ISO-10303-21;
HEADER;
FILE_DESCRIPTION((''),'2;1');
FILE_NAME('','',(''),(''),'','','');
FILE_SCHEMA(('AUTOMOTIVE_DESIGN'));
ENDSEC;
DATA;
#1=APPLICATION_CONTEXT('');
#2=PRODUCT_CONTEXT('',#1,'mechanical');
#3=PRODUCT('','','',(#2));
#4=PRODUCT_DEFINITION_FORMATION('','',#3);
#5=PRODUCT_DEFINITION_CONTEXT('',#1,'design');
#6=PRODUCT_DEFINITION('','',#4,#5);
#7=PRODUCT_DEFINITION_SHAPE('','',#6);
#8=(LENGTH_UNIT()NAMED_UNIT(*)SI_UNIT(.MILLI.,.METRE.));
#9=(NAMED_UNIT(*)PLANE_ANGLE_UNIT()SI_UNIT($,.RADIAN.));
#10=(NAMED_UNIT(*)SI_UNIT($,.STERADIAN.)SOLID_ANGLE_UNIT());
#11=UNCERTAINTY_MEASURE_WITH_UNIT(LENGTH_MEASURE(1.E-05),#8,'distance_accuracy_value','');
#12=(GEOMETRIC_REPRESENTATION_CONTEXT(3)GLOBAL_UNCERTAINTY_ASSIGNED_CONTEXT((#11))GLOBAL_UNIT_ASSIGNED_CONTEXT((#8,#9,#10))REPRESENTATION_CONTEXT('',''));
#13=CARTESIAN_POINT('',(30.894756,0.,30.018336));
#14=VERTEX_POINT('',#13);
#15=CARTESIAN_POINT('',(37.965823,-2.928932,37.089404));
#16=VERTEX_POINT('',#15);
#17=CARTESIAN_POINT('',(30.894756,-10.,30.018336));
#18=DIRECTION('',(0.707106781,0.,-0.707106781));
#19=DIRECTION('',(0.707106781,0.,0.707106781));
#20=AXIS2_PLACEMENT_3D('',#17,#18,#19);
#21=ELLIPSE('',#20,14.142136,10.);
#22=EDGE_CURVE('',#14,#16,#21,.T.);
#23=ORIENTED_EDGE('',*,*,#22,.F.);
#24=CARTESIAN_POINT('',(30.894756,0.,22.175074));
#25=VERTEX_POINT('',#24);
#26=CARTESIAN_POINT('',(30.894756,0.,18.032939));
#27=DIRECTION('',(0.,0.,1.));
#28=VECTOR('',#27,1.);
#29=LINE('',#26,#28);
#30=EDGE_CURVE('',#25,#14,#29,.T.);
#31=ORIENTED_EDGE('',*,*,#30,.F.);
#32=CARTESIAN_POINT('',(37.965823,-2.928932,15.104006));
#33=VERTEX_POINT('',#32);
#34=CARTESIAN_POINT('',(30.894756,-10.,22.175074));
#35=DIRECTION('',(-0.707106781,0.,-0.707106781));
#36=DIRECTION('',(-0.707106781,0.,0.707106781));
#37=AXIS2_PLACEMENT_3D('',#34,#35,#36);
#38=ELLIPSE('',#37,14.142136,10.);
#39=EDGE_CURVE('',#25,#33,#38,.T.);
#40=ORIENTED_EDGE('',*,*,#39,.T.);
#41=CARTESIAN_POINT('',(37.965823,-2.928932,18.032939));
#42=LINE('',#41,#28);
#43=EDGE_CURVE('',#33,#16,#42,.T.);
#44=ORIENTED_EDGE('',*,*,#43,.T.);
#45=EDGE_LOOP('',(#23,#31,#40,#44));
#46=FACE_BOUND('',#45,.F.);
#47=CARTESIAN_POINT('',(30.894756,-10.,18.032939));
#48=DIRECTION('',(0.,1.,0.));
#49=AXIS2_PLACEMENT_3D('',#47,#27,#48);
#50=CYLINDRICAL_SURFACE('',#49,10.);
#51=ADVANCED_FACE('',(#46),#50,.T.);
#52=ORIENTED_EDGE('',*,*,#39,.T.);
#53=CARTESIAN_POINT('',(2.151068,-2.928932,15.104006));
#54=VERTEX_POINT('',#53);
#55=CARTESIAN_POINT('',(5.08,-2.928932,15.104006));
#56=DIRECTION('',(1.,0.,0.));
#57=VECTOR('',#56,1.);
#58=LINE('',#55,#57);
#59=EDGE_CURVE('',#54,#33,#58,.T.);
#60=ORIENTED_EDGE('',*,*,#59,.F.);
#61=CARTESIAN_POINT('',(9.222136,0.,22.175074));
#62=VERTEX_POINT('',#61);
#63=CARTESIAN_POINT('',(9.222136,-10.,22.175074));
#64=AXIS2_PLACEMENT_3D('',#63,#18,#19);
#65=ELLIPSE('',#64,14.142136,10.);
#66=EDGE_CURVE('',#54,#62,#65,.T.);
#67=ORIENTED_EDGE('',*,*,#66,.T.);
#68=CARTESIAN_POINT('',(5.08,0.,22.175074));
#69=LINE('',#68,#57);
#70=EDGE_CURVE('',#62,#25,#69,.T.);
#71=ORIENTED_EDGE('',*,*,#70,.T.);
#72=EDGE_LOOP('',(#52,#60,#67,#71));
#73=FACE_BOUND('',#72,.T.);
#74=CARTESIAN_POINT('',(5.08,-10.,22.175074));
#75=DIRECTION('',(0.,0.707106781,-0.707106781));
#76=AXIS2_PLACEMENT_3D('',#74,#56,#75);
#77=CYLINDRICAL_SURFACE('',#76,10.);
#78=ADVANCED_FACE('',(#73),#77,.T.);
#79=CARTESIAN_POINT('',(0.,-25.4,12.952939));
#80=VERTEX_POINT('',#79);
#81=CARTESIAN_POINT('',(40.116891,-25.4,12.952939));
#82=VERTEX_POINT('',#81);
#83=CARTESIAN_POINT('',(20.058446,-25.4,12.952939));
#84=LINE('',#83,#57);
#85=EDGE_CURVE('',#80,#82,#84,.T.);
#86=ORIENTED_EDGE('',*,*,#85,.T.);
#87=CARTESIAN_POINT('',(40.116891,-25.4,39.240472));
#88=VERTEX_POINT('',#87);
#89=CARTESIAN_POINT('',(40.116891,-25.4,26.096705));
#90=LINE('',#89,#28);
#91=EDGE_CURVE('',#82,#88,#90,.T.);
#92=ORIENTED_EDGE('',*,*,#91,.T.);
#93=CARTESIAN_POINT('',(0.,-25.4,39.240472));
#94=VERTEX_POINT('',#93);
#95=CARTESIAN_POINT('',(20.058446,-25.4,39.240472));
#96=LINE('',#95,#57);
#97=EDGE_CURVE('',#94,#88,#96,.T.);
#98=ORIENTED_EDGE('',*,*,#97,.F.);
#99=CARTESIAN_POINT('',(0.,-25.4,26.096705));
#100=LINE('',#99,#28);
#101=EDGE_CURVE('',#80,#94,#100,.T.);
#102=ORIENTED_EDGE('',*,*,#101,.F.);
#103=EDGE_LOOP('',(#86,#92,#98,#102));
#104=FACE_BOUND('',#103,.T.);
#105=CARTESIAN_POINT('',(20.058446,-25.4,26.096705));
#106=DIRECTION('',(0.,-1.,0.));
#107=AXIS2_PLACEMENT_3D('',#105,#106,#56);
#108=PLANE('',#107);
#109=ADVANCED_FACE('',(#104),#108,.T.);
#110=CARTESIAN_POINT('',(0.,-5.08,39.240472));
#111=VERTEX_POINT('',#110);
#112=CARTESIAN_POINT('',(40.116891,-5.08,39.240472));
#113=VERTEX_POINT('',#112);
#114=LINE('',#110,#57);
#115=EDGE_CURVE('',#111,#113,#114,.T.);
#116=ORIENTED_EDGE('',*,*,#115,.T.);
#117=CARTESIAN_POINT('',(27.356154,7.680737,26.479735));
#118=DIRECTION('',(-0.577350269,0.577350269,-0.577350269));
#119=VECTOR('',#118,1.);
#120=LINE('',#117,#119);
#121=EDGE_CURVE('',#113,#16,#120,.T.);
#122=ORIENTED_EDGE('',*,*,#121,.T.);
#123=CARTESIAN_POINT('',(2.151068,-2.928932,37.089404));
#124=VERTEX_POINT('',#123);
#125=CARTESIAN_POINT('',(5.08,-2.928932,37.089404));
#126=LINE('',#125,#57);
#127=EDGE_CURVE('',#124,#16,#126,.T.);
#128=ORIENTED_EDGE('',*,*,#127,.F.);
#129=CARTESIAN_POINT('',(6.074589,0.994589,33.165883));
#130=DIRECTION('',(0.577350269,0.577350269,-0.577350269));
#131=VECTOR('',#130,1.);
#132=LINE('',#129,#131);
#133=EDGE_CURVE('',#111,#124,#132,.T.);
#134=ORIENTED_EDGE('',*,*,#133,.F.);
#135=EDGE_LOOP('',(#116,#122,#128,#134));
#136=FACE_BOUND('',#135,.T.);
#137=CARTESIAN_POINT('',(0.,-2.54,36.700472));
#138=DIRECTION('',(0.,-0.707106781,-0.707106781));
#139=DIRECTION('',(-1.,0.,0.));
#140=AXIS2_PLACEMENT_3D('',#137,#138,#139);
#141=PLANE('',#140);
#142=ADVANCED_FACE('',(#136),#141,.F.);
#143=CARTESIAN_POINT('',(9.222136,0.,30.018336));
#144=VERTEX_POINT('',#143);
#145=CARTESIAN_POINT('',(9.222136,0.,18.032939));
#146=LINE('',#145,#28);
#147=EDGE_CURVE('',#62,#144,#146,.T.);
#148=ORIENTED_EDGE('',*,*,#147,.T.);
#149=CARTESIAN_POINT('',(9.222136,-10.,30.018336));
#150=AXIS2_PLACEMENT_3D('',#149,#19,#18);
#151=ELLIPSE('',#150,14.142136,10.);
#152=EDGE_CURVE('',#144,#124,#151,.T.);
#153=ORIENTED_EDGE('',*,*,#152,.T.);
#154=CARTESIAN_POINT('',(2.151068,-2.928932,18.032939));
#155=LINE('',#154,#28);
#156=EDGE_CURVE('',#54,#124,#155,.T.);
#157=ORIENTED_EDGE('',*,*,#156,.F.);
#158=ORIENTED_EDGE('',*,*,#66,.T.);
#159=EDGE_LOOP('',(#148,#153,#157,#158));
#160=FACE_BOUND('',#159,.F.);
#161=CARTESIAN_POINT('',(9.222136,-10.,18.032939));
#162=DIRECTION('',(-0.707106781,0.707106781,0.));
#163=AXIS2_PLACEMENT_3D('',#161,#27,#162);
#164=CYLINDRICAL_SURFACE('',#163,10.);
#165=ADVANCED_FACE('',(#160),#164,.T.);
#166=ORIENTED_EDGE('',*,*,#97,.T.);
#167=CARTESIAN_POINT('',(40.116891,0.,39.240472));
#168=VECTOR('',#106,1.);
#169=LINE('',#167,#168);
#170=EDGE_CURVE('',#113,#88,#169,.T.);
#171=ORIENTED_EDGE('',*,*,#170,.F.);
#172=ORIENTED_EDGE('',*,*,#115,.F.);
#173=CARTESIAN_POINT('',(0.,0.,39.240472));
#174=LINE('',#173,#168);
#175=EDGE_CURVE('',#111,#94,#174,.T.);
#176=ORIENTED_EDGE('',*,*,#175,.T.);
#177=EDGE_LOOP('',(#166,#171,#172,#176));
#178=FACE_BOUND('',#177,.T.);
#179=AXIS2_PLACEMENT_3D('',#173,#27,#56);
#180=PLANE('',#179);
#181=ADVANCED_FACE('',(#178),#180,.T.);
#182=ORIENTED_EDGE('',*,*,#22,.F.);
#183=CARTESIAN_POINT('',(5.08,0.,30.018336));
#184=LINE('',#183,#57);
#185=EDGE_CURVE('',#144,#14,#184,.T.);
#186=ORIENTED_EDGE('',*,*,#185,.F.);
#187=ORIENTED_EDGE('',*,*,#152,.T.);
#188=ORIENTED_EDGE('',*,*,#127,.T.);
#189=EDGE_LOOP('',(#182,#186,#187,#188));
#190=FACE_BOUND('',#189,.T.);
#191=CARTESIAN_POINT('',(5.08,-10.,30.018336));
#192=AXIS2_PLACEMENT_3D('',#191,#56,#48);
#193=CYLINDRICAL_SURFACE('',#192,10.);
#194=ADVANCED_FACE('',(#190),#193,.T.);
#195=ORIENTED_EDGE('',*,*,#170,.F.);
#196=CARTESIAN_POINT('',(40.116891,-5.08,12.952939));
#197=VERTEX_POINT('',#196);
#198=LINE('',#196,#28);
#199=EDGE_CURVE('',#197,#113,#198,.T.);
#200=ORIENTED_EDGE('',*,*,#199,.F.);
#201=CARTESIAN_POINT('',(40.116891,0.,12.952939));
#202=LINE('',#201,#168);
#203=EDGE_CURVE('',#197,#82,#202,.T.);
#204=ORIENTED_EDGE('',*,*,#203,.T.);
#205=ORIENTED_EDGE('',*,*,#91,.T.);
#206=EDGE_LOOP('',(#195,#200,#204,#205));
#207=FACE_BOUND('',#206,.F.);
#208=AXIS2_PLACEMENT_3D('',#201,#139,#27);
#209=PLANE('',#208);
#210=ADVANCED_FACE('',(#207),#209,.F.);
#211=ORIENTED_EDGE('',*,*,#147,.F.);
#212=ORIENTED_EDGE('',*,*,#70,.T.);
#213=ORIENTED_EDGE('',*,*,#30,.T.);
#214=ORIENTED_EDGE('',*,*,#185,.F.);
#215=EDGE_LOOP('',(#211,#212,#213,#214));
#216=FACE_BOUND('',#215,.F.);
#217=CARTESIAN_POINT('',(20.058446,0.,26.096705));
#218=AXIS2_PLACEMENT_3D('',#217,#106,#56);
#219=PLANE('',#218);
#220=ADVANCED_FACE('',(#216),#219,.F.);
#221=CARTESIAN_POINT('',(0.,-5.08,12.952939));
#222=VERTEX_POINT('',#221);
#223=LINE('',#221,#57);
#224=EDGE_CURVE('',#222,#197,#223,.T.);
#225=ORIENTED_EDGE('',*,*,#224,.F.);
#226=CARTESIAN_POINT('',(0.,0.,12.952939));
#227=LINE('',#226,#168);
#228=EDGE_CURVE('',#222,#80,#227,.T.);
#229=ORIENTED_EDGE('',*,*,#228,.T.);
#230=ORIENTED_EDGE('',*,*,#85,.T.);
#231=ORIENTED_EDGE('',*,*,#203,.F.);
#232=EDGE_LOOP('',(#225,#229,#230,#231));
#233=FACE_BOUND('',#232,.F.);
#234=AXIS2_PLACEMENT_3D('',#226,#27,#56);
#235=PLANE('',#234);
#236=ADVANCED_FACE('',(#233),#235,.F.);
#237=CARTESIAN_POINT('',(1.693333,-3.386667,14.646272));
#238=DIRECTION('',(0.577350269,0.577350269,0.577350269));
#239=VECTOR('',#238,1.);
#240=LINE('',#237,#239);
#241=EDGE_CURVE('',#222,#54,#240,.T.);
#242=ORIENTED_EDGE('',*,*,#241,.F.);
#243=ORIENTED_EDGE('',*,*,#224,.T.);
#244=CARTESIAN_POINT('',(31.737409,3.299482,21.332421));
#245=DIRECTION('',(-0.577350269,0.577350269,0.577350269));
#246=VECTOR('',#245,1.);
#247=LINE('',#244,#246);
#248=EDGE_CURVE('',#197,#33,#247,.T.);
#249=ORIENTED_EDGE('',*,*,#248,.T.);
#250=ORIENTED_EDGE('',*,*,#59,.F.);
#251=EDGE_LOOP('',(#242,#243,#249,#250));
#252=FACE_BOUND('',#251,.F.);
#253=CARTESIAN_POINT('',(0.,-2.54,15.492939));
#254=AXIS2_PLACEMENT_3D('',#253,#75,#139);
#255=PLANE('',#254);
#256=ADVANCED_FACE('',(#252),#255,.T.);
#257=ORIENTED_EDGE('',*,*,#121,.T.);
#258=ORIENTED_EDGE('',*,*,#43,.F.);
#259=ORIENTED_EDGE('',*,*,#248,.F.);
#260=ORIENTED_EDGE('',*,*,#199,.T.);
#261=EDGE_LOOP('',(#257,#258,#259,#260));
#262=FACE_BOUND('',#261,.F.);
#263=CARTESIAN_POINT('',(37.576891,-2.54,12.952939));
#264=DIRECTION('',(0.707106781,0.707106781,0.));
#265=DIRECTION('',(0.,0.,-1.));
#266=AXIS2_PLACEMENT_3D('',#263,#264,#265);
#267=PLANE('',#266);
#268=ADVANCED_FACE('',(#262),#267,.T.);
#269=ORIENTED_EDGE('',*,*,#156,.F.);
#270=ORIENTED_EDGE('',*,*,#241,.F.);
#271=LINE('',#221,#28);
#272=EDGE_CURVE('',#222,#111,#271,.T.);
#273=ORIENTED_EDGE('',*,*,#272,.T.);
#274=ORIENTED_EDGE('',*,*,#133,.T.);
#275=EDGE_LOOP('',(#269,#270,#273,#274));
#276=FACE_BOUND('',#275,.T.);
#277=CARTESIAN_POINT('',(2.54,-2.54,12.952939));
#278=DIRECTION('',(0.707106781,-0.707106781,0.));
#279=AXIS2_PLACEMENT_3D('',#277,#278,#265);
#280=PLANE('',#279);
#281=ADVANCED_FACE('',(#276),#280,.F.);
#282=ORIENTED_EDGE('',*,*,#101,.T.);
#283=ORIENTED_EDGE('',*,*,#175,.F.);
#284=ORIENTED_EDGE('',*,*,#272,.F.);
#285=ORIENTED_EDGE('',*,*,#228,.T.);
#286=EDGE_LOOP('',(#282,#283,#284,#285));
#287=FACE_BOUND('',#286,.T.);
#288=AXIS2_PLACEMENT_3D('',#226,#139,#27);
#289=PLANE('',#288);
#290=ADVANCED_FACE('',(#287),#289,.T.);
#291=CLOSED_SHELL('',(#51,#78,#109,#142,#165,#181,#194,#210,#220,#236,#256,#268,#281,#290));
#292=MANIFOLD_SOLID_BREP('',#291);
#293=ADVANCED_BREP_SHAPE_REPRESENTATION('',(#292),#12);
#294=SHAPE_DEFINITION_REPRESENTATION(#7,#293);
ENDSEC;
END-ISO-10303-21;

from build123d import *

# Parameters (mm, degrees)
F0_W     = 40.1168912649
F0_H     = 26.2875333428
F1_DEPTH = 25.4
F2_SIZE  = 5.08
F3_R     = 10


with BuildPart() as f1:
    # F0 (on Front) → F1 (new body)
    with BuildSketch(Plane.XZ):
        with Locations((20.0584456325, 26.0967053473)):
            Rectangle(F0_W, F0_H)
    extrude(amount=F1_DEPTH)

    # F2
    f2_edges = [f1.edges().sort_by_distance(p)[0] for p in [
        (40.116891, 0, 26.096705),
        (20.058446, 0, 39.240472),
        (0, 0, 26.096705),
        (20.058446, 0, 12.952939),
    ]]
    chamfer(f2_edges, length=F2_SIZE)

    # F3
    f3_edges = [f1.edges().sort_by_distance(p)[0] for p in [
        (35.036891, 0, 26.096705),
        (20.058446, 0, 34.160472),
        (5.08, 0, 26.096705),
        (20.058446, 0, 18.032939),
    ]]
    fillet(f3_edges, radius=F3_R)


solid = f1.part
